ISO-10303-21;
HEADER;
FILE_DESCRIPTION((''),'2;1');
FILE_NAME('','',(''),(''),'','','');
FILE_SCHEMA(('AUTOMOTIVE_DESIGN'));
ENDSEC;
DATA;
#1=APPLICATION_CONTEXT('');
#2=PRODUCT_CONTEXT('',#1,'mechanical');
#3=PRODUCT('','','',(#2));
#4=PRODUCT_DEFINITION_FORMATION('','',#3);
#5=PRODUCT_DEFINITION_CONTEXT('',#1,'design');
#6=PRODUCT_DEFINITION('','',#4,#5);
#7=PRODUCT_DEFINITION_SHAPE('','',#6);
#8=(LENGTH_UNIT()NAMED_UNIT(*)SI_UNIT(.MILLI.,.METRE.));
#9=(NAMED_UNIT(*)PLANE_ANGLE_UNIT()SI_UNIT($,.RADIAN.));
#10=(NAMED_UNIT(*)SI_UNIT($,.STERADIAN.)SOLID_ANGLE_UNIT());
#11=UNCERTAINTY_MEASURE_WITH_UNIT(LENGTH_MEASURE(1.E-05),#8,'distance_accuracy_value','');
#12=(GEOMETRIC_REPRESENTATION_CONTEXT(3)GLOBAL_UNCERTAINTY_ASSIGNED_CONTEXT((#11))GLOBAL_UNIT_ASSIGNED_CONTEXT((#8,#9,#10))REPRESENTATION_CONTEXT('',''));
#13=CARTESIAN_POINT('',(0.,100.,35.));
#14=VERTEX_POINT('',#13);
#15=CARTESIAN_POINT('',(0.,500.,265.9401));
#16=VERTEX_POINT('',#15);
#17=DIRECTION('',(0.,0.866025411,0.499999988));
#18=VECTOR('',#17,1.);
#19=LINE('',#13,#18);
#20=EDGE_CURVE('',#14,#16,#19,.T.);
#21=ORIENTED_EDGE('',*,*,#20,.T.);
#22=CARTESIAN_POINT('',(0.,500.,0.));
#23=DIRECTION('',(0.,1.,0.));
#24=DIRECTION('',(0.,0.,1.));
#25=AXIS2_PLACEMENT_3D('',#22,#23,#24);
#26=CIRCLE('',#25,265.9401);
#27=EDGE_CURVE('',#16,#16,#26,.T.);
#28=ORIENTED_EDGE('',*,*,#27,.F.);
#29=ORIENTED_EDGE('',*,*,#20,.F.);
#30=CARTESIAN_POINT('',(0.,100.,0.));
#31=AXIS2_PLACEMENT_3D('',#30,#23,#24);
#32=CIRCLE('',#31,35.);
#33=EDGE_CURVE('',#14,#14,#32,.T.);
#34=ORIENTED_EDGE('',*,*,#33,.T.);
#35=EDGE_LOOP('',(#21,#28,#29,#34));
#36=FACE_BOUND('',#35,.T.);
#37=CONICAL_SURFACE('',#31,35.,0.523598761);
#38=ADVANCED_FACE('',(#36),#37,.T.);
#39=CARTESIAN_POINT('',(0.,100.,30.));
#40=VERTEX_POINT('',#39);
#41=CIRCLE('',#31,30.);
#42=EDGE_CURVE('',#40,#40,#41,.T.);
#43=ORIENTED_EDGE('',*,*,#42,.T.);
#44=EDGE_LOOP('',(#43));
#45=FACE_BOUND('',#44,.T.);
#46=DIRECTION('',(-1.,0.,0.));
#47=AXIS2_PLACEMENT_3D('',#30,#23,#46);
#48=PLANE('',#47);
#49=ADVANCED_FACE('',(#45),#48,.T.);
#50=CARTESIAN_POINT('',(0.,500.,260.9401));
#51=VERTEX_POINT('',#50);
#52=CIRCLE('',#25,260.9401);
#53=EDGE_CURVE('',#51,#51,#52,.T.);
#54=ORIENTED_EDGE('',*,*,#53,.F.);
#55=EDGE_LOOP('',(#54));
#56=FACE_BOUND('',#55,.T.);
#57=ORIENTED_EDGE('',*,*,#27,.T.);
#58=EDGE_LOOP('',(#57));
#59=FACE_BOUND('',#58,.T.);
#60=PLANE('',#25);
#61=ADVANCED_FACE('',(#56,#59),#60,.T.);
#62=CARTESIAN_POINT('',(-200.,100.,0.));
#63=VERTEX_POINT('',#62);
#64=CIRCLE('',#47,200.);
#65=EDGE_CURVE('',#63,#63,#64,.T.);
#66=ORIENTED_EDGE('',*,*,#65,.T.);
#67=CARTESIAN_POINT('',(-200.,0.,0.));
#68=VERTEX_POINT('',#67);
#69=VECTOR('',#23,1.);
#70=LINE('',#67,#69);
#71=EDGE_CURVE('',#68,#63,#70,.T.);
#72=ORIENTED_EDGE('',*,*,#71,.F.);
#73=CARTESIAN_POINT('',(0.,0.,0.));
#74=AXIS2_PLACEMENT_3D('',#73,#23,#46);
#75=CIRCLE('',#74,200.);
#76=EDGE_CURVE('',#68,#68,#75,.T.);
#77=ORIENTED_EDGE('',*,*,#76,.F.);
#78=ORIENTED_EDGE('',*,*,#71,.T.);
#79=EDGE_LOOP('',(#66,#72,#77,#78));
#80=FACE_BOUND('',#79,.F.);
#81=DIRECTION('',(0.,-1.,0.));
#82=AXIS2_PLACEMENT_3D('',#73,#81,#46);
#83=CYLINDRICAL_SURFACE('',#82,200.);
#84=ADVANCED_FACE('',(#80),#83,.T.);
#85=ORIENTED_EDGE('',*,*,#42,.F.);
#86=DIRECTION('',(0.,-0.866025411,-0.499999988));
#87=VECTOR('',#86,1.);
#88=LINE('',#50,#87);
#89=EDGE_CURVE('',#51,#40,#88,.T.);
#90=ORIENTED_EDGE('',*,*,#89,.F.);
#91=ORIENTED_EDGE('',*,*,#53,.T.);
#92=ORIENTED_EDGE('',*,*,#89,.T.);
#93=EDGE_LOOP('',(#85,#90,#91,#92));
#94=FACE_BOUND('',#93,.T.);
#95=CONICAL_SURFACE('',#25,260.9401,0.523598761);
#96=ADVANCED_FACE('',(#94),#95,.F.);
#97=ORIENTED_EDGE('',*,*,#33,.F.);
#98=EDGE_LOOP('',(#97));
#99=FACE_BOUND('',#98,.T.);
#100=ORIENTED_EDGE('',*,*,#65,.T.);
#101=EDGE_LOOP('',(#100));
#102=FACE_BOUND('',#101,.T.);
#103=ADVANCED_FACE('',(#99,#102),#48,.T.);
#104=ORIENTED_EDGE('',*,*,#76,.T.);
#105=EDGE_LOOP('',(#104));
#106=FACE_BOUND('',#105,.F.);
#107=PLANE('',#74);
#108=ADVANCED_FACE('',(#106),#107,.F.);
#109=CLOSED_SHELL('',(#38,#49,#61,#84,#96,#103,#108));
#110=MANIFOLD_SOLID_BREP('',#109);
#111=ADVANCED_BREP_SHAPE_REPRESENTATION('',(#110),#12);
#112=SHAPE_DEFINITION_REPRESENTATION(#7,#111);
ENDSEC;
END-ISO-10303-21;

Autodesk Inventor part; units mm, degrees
ref_plane "XZ Plane" through (0, 0, 0) normal (0, 1, 0) x (-1, 0, 0)
ref_plane "XY Plane" through (0, 0, 0) normal (0, 0, 1) x (1, 0, 0)
sketch "スケッチ1" plane through (0, 0, 0) normal (0, 1, 0) x (-1, 0, 0)
  circle A0 centre (0, 0) radius 200
  dimension "d0" = 400
extrude "押し出し1" add sketch "スケッチ1" along normal blind 100
sketch "スケッチ2" plane through (0, 0, 0) normal (1, 0, 0) x (0, 1, 0)
  line L0 (100, -200) -> (100, 200) projected
  line L1 (0, 200) -> (0, -200) projected
  line L2 (100, -200) -> (100, 200) projected
  line L3 (100, 35) -> (500, 265.9401)
  line L4 (500, 265.9401) -> (500, 260.9401)
  line L5 (500, 260.9401) -> (100, 30)
  line L6 (100, 35) -> (100, 30)
  line L7 (-70, 0) -> (420, 0) projected
  point P0 (0, 0)
  point P1 (100, 0)
  dimension "d3" = 5
  dimension "d4" = 5
  dimension "d5" = 400
  dimension "d6" = 60
  dimension "d7" = 35
revolve "回転1" add sketch "スケッチ2" angle 360 about axis through (0, -10, 0) along (0, 1, 0)
properties part number "thruster" material "真鍮、ソフト イエロー"
